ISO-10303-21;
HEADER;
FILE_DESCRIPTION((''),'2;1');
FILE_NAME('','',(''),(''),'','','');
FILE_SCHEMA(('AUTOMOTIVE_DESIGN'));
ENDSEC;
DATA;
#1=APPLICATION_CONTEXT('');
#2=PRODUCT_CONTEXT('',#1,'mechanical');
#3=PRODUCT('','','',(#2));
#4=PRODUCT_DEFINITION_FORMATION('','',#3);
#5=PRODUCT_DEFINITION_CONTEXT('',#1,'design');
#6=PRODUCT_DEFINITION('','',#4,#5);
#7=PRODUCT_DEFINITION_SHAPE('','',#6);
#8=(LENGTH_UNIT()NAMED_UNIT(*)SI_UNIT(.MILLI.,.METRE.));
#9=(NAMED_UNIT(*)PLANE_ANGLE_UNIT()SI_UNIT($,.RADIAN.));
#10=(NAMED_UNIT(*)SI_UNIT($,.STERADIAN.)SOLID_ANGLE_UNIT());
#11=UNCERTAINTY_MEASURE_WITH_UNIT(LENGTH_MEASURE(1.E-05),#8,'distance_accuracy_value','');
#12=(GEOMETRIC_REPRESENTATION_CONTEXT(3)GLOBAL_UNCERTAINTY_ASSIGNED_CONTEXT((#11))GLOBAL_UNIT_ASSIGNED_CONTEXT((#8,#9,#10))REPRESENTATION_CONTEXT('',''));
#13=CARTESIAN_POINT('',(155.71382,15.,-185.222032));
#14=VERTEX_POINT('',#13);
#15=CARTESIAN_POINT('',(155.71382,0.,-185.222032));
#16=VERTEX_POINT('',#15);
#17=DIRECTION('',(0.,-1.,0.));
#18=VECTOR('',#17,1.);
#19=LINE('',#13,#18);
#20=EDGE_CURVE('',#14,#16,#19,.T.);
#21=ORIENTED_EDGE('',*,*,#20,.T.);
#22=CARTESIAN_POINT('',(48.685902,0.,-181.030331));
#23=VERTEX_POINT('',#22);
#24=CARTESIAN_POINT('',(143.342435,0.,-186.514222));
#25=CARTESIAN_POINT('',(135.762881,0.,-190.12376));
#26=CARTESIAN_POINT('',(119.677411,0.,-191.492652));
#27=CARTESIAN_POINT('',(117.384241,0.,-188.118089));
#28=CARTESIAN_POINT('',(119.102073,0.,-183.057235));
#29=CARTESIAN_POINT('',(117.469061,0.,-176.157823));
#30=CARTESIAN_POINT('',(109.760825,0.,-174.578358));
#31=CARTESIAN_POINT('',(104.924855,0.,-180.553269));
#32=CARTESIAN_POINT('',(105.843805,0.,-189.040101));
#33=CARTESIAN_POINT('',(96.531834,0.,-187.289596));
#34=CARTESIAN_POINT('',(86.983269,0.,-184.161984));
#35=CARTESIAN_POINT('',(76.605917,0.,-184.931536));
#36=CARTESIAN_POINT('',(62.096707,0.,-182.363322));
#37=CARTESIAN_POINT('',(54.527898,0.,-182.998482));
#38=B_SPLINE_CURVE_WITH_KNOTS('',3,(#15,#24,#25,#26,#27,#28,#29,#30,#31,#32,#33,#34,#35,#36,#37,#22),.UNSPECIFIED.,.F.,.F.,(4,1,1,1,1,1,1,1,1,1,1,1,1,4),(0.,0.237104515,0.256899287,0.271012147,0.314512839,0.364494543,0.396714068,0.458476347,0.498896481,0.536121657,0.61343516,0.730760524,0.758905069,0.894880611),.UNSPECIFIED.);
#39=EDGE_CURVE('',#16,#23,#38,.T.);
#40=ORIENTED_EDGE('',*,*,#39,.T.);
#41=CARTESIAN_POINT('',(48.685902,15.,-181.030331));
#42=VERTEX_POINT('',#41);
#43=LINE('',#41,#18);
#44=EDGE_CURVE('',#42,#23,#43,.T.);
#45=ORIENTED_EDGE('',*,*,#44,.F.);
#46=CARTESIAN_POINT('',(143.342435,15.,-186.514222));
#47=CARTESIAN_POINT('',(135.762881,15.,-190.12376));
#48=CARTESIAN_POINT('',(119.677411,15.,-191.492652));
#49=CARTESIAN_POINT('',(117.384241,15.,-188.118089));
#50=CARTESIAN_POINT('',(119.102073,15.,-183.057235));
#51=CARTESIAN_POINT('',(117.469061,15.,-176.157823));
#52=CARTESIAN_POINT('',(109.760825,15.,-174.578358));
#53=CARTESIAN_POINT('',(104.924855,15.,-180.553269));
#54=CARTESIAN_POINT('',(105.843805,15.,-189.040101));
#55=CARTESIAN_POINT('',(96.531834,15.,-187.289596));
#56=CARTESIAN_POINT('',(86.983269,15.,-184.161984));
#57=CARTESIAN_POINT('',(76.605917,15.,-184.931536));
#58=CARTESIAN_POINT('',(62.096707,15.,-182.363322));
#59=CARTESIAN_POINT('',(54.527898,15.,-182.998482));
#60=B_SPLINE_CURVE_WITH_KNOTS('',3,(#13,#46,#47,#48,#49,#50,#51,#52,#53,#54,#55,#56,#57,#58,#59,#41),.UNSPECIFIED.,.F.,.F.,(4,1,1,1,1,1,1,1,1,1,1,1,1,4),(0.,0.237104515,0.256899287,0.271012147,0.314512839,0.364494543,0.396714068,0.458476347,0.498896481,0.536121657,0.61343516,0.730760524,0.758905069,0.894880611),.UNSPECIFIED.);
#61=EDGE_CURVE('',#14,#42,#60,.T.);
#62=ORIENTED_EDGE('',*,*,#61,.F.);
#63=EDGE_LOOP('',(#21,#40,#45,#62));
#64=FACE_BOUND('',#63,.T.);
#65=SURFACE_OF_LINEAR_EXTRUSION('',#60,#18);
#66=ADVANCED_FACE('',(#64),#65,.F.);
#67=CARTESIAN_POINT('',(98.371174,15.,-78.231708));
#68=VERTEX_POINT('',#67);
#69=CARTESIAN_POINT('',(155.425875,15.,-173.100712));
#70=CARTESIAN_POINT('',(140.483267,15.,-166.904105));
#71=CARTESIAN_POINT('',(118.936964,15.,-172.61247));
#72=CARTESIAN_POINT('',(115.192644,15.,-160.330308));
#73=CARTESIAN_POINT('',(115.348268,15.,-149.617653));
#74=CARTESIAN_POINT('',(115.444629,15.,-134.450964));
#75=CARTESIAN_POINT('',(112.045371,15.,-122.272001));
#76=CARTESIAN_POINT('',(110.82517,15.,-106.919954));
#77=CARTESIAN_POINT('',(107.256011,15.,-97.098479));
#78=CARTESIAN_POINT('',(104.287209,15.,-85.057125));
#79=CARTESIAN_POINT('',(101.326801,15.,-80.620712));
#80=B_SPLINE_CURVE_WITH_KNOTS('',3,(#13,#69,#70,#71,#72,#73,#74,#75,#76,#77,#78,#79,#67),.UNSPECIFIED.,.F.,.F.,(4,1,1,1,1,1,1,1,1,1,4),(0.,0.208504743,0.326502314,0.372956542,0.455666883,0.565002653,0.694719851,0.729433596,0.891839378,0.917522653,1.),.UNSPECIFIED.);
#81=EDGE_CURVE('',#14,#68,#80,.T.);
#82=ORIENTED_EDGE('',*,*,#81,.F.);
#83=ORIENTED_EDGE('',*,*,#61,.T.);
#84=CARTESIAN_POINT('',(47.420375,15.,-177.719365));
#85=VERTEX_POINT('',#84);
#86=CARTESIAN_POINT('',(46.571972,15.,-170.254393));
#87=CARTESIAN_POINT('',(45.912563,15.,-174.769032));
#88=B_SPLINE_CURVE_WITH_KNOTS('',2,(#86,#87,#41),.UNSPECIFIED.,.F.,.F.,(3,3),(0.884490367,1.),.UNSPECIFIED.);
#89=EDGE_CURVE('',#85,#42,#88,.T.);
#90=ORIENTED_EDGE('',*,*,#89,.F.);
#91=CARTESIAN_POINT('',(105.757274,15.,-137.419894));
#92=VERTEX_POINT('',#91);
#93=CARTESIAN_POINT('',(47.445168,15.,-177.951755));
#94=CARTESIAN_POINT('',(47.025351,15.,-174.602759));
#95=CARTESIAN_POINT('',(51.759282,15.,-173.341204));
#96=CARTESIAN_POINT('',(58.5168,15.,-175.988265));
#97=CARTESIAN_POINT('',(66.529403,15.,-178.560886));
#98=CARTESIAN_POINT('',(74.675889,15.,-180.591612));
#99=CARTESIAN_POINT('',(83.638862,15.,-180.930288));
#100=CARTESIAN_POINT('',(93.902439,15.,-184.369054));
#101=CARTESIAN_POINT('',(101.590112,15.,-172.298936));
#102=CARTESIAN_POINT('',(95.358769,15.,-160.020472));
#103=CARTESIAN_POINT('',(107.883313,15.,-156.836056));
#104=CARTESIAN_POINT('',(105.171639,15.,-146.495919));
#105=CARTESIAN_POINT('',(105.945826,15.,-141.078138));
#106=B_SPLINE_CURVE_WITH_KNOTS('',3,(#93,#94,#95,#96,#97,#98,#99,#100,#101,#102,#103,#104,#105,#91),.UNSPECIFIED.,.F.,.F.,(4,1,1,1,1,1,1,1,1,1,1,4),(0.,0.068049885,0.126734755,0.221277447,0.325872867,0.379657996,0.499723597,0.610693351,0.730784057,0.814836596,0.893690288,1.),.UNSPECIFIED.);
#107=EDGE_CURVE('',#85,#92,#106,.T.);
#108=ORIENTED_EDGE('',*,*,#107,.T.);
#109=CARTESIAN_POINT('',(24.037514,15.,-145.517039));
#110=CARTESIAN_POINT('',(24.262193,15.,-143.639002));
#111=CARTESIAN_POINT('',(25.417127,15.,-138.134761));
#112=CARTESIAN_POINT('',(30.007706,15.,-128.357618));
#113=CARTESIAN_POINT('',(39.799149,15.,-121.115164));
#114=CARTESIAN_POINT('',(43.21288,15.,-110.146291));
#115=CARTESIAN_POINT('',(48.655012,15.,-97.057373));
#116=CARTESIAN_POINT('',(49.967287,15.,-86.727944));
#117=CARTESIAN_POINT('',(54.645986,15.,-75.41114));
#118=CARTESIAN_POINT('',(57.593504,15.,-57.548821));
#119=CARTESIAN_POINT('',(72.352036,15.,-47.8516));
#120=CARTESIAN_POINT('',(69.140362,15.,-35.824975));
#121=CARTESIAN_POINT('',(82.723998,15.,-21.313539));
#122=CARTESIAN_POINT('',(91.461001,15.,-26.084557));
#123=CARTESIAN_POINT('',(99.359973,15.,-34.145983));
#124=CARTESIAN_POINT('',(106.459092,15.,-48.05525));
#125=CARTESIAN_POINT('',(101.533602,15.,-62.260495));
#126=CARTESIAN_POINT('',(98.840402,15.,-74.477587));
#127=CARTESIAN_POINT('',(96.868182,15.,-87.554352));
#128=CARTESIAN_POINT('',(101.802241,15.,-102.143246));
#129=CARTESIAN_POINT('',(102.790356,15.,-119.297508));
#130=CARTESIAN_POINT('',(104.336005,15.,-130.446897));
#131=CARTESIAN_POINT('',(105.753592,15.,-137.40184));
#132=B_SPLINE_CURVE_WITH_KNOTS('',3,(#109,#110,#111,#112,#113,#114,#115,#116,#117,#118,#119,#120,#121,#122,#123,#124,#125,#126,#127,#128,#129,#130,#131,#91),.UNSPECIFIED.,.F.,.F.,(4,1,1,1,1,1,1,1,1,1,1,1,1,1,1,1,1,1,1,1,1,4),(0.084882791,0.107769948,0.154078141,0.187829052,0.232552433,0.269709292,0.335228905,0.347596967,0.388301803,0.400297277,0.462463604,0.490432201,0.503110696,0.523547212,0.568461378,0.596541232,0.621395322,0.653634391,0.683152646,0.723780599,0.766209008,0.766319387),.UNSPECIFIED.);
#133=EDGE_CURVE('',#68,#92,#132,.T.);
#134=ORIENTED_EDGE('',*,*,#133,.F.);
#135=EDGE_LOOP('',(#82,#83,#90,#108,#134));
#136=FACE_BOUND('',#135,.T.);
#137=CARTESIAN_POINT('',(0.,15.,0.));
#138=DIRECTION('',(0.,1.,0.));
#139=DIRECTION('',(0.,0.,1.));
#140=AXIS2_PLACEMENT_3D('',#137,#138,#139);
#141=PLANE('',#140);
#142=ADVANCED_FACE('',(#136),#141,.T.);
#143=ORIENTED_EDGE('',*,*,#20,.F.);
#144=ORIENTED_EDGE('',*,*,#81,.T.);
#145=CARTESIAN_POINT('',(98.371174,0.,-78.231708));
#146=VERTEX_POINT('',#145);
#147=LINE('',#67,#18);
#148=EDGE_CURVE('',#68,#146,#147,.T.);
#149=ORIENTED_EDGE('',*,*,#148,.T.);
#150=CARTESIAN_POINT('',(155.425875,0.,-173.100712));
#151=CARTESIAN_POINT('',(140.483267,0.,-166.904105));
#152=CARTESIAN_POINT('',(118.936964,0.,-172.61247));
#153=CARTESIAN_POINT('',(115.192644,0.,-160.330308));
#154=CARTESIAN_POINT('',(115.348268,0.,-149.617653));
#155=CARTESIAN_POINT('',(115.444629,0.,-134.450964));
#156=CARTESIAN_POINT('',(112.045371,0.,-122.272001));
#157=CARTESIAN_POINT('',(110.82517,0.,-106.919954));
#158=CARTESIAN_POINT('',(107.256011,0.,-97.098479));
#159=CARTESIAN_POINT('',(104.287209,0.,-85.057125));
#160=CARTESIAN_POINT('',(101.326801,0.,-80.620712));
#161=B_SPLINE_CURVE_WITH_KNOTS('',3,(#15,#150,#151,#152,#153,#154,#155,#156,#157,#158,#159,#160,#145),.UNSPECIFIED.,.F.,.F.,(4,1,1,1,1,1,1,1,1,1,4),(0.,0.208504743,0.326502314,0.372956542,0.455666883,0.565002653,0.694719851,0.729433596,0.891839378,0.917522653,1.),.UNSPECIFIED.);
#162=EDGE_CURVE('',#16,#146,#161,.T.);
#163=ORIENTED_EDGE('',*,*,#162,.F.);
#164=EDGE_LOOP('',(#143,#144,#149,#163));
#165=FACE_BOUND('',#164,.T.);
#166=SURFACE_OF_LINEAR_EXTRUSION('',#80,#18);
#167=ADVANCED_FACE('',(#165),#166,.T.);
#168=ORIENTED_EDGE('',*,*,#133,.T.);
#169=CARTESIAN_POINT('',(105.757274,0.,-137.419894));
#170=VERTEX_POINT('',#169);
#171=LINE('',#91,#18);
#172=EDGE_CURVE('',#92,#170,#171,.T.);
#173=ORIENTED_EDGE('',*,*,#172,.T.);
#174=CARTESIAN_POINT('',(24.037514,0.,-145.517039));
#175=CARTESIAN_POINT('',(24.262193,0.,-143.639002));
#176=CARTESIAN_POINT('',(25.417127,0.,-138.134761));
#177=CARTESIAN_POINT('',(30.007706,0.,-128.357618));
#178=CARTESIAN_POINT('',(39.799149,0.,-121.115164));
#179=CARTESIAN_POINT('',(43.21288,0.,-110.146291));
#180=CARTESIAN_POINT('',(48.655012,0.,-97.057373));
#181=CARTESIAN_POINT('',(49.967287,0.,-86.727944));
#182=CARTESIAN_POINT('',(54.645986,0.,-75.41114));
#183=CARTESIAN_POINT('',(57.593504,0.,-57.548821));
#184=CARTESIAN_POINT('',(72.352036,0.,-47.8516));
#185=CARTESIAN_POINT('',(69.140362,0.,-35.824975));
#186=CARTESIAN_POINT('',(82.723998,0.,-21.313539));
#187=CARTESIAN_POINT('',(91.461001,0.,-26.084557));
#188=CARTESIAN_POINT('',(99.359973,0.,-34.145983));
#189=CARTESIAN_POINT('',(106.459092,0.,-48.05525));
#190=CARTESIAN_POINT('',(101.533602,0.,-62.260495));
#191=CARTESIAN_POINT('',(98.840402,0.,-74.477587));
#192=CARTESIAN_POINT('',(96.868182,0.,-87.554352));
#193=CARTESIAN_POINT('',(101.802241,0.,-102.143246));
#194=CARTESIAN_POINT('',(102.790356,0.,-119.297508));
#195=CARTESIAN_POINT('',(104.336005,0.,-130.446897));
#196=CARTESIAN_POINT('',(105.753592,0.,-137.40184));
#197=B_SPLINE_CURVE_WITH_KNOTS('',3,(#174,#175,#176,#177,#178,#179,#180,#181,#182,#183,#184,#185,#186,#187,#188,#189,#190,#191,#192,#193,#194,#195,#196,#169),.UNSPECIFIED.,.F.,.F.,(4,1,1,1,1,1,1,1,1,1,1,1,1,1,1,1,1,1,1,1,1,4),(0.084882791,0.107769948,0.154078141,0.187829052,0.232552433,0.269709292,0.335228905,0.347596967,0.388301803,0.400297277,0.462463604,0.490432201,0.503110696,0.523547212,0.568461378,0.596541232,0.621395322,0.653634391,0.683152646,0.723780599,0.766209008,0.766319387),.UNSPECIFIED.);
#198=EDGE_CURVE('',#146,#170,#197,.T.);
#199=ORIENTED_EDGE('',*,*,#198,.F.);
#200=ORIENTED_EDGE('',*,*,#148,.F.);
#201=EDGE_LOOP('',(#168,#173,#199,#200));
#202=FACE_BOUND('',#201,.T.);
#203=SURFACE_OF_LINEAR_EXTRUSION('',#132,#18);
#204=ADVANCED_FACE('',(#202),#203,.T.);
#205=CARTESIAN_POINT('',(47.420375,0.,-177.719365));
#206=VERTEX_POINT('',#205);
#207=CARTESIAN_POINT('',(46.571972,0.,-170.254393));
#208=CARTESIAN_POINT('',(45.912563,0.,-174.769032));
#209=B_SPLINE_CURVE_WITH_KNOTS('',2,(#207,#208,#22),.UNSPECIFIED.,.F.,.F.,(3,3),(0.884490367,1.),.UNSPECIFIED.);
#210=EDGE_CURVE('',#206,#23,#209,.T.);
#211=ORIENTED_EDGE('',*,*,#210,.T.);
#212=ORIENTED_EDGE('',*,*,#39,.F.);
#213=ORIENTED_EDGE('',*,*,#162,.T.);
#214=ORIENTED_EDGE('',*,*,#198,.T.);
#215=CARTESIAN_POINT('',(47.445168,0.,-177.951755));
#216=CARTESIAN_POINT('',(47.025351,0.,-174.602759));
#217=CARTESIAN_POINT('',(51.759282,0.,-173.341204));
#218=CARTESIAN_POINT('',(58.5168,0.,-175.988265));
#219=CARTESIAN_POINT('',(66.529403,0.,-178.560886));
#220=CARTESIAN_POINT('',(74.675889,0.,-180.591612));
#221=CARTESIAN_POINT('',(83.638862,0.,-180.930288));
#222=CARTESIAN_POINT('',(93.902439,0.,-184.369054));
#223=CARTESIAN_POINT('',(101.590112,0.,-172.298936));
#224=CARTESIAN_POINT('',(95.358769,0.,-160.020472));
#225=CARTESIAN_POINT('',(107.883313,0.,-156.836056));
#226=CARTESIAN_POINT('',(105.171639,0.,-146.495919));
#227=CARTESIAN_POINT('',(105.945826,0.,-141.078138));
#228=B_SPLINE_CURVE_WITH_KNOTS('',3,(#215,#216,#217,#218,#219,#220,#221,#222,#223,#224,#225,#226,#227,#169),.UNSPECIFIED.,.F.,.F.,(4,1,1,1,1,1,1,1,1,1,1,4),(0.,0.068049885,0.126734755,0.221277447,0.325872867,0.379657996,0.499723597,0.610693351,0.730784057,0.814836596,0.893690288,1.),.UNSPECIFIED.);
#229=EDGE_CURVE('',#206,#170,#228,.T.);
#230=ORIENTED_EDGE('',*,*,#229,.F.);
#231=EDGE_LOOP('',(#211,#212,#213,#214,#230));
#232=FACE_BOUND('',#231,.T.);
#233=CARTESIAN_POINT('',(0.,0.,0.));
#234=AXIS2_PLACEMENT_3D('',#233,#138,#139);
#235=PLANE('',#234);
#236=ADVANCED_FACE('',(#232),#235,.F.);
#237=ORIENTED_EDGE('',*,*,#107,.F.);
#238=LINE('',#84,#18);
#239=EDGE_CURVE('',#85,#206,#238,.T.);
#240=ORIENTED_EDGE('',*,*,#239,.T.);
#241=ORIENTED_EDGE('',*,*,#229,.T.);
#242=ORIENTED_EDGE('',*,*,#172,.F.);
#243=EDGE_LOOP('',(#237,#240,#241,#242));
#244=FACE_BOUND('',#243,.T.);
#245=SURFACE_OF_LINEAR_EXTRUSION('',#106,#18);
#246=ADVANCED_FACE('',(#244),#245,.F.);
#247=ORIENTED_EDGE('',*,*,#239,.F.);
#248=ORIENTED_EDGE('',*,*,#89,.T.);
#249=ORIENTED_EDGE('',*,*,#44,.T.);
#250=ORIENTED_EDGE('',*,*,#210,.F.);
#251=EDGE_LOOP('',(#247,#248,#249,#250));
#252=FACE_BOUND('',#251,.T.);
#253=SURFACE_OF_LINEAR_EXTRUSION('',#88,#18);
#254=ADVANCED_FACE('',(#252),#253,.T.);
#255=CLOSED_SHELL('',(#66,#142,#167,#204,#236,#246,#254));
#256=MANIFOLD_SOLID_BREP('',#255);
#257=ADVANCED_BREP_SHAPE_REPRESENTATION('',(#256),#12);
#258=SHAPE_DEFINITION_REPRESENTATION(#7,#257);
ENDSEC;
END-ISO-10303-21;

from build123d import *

# Parameters (mm, degrees)
BOSS_EXTRUDE1_DEPTH = 15


with BuildPart() as part:
    # Sketch1 → Boss-Extrude1 (new body)
    with BuildSketch(Plane(origin=(0, 0, 0), x_dir=(1, 0, 0), z_dir=(0, 1, 0))):
        with BuildLine():
            add(Edge.make_bspline(
                [(47.420375472, 177.719365279), (47.923391865, 179.308830016), (48.685902451, 181.030331376)],
                knots=[0.968241419, 0.968241419, 0.968241419, 1, 1, 1], degree=2))
            add(Edge.make_bspline(
                [(47.420375472, 177.719365279), (47.145041997, 174.571270337), (51.808266467, 173.360392084), (58.516800003, 175.988264579), (66.529402506, 178.560886227), (74.675889393, 180.59161246), (83.638862203, 180.930288074), (93.902439439, 184.369053507), (101.590112285, 172.298935737), (95.358769398, 160.020471882), (107.883313291, 156.83605583), (105.171638753, 146.495919028), (105.945825946, 141.078138074), (105.757273733, 137.419894275)],
                knots=[0.001604008, 0.001604008, 0.001604008, 0.001604008, 0.068049885, 0.126734755, 0.221277447, 0.325872867, 0.379657996, 0.499723597, 0.610693351, 0.730784057, 0.814836596, 0.893690288, 1, 1, 1, 1], degree=3))
            add(Edge.make_bspline(
                [(98.371173911, 78.231708436), (97.919327158, 81.436571947), (97.382407557, 89.07479991), (101.802241125, 102.143245912), (102.790355639, 119.297508142), (104.336005259, 130.446896526), (105.753591562, 137.401839946), (105.757273733, 137.419894275)],
                knots=[0.632065867, 0.632065867, 0.632065867, 0.632065867, 0.653634391, 0.683152646, 0.723780599, 0.766209008, 0.766319387, 0.766319387, 0.766319387, 0.766319387], degree=3))
            add(Edge.make_bspline(
                [(155.713820159, 185.222032492), (155.425874835, 173.100712353), (140.483266869, 166.904105138), (118.936964383, 172.612470356), (115.192644125, 160.330308288), (115.3482681, 149.617652952), (115.444629092, 134.450964327), (112.045371199, 122.272000915), (110.825170091, 106.919954458), (107.256011137, 97.098479499), (104.28720935, 85.057124746), (101.326801423, 80.620711931), (98.371173911, 78.231708436)],
                knots=[0, 0, 0, 0, 0.208504743, 0.326502314, 0.372956542, 0.455666883, 0.565002653, 0.694719851, 0.729433596, 0.891839378, 0.917522653, 1, 1, 1, 1], degree=3))
            add(Edge.make_bspline(
                [(155.713820159, 185.222032492), (143.342435393, 186.514221571), (135.762881067, 190.123760484), (119.677410663, 191.492652461), (117.384240858, 188.11808891), (119.102072841, 183.057235227), (117.46906076, 176.157823141), (109.760824826, 174.578358032), (104.924855368, 180.553269249), (105.843805349, 189.040101481), (96.531834295, 187.28959605), (86.983269228, 184.161983925), (76.605916719, 184.931536336), (62.096707277, 182.363322148), (54.527898303, 182.998481509), (48.685902451, 181.030331376)],
                knots=[0, 0, 0, 0, 0.237104515, 0.256899287, 0.271012147, 0.314512839, 0.364494543, 0.396714068, 0.458476347, 0.498896481, 0.536121657, 0.61343516, 0.730760524, 0.758905069, 0.894880611, 0.894880611, 0.894880611, 0.894880611], degree=3))
        make_face()
    extrude(amount=BOSS_EXTRUDE1_DEPTH)


solid = part.part
